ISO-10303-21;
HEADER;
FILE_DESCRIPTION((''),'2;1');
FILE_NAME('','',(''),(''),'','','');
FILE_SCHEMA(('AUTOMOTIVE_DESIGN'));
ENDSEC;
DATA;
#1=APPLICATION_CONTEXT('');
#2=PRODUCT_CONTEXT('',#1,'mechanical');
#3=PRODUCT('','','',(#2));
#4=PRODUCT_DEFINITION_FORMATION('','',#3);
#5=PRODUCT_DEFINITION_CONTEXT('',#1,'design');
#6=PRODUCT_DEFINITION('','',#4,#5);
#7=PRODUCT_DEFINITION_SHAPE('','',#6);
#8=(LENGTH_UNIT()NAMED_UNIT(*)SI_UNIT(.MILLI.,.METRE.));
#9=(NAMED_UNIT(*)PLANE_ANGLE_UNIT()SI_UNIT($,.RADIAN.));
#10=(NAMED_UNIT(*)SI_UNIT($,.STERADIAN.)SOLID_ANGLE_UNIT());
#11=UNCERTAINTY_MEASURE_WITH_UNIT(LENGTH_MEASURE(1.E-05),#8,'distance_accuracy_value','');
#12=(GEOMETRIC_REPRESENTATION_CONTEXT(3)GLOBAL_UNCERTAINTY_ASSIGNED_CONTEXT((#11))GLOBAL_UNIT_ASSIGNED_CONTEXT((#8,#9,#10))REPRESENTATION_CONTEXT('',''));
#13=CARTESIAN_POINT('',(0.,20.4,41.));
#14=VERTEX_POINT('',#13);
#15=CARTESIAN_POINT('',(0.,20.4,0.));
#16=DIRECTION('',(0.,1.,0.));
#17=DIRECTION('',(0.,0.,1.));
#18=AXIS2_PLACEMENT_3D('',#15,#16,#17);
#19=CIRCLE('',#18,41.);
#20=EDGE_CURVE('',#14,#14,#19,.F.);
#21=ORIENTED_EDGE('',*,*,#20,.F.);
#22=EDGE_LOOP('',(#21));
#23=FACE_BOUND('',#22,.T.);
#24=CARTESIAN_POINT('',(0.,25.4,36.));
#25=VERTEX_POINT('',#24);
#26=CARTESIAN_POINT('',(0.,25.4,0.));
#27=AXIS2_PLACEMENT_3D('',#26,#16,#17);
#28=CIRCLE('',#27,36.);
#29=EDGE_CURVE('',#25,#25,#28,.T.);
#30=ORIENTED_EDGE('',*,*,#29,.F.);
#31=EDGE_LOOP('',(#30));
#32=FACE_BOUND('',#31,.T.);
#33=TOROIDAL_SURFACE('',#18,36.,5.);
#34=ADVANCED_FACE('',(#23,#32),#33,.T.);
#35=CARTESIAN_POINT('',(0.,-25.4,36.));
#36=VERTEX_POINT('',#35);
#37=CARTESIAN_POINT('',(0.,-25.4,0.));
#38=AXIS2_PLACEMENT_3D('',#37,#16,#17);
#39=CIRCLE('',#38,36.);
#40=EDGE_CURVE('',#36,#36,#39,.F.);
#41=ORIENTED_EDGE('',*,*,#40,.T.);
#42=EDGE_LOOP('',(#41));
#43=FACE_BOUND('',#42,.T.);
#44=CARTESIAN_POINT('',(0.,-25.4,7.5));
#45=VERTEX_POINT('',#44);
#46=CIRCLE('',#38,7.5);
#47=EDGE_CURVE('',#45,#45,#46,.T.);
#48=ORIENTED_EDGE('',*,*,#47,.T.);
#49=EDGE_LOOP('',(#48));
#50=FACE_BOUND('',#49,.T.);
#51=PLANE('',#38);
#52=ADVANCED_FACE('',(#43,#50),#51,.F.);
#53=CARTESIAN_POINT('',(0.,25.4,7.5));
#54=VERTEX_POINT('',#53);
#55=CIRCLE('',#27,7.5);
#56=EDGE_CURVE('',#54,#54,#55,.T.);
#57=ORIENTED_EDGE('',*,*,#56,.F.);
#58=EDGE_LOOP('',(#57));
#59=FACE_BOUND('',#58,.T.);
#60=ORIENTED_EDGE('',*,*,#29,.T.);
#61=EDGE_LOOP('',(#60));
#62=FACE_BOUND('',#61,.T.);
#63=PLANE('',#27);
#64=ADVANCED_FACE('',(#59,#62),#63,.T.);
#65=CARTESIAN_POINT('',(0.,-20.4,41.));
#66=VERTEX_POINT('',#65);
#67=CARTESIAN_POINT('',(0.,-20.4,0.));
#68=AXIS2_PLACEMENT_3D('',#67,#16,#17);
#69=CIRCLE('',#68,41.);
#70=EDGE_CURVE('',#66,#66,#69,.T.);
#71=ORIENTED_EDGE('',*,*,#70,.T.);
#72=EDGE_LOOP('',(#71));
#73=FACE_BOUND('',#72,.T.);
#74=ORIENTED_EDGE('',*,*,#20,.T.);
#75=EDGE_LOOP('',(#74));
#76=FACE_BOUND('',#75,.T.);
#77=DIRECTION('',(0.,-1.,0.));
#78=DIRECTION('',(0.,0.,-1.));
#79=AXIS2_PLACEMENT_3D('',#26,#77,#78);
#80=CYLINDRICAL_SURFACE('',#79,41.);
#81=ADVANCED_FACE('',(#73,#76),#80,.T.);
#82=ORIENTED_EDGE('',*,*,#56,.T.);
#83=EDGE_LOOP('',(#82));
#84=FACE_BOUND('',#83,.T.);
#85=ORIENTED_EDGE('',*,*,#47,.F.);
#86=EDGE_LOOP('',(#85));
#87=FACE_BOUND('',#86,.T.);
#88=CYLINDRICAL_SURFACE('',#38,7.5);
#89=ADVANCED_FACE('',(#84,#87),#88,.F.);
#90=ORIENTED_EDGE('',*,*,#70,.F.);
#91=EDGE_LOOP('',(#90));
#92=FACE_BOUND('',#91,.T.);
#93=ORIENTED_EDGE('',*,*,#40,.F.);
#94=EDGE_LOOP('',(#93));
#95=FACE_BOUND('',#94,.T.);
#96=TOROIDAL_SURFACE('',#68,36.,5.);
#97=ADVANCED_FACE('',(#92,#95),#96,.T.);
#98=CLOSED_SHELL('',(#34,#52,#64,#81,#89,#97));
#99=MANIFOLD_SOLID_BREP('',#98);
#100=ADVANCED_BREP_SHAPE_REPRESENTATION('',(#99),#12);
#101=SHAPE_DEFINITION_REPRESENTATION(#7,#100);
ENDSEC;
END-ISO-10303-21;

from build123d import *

# Parameters (mm, degrees)
SKETCH1_R               = 41
BOSS_EXTRUDE1_DEPTH     = 25.4
FILLET1_R               = 5
CUT_EXTRUDE1_DEPTH      = 78.088520653
CUT_EXTRUDE1_DEPTH_BACK = 78.088520653
SKETCH2_R               = 7.5


with BuildPart() as part:
    # Sketch1 → Boss-Extrude1 (new, symmetric)
    with BuildSketch(Plane(origin=(0, 0, 0), x_dir=(1, 0, 0), z_dir=(0, 1, 0))):
        with Locations(Location((0, 0, 0), (0, 0, 270))):
            Circle(SKETCH1_R)
    extrude(amount=BOSS_EXTRUDE1_DEPTH, both=True)

    # Fillet1
    fillet1_edges = [part.edges().sort_by_distance(p)[0] for p in [
        (0, -25.4, -41),
        (0, 25.4, -41),
    ]]
    fillet(fillet1_edges, radius=FILLET1_R)

    # Sketch2 → Cut-Extrude1 (cut, two sides: drawn at the far end of the back side and taken through both)
    with BuildSketch(Plane(origin=(0, 25.4, 0), x_dir=(1, 0, 0), z_dir=(0, 1, 0)).offset(-CUT_EXTRUDE1_DEPTH_BACK)):
        with Locations(Location((0, 0, 0), (0, 0, 270))):
            Circle(SKETCH2_R)
    extrude(amount=CUT_EXTRUDE1_DEPTH + CUT_EXTRUDE1_DEPTH_BACK, mode=Mode.SUBTRACT)


solid = part.part
